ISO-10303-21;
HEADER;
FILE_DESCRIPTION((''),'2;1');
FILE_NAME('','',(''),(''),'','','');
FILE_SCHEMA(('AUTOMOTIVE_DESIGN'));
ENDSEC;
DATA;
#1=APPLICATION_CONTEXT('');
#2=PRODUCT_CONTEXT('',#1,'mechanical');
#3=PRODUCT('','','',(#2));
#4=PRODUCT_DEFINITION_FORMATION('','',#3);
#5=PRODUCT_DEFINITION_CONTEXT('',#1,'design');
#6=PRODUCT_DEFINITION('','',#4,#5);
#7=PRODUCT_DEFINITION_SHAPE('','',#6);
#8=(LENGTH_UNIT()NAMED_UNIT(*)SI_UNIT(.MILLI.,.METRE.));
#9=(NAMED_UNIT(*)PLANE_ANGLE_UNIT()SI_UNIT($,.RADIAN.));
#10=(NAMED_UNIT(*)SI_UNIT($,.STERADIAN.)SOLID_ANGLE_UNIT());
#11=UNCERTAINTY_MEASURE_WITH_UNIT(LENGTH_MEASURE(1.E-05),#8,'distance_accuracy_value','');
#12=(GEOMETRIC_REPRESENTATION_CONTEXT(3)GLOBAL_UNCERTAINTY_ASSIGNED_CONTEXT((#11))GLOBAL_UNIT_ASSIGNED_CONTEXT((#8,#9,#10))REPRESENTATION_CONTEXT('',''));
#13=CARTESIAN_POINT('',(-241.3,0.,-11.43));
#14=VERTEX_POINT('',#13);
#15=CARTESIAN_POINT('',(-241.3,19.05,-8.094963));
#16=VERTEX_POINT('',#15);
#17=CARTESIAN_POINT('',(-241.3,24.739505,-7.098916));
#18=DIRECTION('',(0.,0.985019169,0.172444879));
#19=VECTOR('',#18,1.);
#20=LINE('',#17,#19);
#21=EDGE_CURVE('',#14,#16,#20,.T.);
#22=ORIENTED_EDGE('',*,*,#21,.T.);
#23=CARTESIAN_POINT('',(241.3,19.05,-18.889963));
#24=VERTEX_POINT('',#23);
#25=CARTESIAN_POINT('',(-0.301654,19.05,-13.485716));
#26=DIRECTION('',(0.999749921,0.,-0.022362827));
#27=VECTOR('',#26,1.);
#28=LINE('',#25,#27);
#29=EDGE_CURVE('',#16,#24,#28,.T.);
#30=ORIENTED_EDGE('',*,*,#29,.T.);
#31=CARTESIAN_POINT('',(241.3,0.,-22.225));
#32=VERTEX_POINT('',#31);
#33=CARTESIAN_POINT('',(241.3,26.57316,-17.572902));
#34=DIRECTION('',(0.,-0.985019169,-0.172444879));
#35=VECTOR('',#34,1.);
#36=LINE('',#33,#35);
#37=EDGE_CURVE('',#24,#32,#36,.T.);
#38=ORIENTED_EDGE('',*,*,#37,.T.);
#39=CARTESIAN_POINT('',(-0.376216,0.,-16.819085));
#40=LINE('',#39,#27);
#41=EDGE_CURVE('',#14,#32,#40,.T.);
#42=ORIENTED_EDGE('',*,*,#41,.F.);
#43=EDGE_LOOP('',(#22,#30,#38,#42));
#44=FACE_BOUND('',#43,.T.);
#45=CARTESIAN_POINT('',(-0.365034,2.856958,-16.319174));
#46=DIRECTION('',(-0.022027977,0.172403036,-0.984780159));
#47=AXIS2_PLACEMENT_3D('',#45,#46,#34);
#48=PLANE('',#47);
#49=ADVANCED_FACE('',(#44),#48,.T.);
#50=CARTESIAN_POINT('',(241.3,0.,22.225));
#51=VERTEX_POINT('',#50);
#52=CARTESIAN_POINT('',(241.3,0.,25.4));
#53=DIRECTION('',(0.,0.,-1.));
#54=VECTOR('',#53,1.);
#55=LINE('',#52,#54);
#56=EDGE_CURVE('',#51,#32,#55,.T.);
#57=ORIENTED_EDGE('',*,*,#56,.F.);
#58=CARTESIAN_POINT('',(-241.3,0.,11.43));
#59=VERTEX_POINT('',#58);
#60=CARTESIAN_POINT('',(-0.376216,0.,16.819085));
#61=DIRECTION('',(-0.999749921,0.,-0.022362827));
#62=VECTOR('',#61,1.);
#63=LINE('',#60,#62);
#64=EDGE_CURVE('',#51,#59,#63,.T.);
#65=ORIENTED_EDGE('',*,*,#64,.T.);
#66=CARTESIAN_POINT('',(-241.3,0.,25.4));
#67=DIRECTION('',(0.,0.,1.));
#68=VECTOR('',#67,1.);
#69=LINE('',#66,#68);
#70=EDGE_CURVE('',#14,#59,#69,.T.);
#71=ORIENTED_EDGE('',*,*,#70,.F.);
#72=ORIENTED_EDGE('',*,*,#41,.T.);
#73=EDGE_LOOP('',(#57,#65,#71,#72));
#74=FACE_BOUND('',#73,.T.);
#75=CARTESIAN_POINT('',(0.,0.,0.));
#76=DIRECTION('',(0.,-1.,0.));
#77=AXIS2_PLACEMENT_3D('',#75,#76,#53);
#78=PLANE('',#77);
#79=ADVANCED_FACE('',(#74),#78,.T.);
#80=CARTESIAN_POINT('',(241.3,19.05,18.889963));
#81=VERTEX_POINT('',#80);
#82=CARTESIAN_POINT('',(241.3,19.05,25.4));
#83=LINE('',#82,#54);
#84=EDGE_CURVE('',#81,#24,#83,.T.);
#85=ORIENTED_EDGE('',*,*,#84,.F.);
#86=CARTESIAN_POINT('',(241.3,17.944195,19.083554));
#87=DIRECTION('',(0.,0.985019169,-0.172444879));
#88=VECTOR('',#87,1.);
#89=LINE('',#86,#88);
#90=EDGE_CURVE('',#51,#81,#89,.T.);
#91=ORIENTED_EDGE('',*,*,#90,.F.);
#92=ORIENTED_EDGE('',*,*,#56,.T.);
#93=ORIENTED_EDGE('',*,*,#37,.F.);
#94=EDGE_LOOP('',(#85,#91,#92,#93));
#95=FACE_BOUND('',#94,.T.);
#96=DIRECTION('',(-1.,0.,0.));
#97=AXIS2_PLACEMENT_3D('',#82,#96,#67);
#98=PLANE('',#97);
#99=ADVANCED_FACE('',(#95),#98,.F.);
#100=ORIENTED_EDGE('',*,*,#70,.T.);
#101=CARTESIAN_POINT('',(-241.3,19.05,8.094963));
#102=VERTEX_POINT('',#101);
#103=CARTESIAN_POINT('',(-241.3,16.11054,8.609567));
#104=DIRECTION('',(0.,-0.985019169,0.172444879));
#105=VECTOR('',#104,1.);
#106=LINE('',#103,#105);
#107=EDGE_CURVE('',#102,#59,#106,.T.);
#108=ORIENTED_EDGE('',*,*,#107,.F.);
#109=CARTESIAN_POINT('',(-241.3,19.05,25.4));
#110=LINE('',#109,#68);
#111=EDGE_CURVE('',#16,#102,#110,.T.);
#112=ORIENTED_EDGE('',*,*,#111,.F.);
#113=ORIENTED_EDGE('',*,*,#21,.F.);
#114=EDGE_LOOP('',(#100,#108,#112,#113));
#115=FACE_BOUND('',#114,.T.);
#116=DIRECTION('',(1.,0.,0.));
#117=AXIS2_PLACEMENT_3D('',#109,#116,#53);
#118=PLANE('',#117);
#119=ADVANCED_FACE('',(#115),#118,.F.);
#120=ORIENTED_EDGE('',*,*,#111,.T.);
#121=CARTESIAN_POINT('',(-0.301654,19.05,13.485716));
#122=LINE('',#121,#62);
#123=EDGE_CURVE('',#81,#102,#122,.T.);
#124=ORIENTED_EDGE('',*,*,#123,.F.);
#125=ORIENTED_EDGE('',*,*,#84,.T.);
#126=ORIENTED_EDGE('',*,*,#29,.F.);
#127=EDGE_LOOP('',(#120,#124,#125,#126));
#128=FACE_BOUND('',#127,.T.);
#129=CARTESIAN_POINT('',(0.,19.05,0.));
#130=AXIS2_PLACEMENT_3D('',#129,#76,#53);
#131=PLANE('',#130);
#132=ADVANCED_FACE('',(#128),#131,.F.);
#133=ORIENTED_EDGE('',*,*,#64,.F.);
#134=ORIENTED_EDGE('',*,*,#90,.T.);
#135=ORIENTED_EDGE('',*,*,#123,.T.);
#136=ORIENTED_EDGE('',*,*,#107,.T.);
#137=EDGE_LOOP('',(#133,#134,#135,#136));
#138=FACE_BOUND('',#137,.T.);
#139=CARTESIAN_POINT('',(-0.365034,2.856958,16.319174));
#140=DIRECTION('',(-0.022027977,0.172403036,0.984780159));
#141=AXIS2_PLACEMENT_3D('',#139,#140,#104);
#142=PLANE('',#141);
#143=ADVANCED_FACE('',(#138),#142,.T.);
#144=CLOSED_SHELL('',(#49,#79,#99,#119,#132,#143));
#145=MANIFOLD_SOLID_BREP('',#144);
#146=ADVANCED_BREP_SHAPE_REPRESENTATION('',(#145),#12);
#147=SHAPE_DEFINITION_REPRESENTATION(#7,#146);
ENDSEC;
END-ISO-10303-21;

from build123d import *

# Parameters (mm, degrees)
SKETCH1_W           = 482.6
SKETCH1_H           = 50.8
BOSS_EXTRUDE1_DEPTH = 19.05
SKETCH5_W           = 508
SKETCH5_H           = 50.8
CUT_EXTRUDE1_DEPTH  = 246.773661843


with BuildPart() as part:
    # Sketch1 → Boss-Extrude1 (new body)
    with BuildSketch(Plane(origin=(0, 0, 0), x_dir=(1, 0, 0), z_dir=(0, 1, 0))):
        Rectangle(SKETCH1_W, SKETCH1_H)
    extrude(amount=BOSS_EXTRUDE1_DEPTH)

    # Sketch5 → Cut-Extrude1 (cut, through all)
    with BuildSketch(Plane(origin=(-0.36503416, 2.85695762, 16.319174232), x_dir=(0.9997573539412276, 0.0038362476724603106, 0.02169139101649993), z_dir=(-0.0220279772397924, 0.17240303578084593, 0.9847801589554248))):
        with Locations((0, 9.697527332)):
            Rectangle(SKETCH5_W, SKETCH5_H)
    cut_extrude1 = extrude(amount=CUT_EXTRUDE1_DEPTH, mode=Mode.SUBTRACT)

    # Mirror1: Cut-Extrude1 across plane
    add(cut_extrude1.mirror(Plane.XY), mode=Mode.SUBTRACT)


solid = part.part
